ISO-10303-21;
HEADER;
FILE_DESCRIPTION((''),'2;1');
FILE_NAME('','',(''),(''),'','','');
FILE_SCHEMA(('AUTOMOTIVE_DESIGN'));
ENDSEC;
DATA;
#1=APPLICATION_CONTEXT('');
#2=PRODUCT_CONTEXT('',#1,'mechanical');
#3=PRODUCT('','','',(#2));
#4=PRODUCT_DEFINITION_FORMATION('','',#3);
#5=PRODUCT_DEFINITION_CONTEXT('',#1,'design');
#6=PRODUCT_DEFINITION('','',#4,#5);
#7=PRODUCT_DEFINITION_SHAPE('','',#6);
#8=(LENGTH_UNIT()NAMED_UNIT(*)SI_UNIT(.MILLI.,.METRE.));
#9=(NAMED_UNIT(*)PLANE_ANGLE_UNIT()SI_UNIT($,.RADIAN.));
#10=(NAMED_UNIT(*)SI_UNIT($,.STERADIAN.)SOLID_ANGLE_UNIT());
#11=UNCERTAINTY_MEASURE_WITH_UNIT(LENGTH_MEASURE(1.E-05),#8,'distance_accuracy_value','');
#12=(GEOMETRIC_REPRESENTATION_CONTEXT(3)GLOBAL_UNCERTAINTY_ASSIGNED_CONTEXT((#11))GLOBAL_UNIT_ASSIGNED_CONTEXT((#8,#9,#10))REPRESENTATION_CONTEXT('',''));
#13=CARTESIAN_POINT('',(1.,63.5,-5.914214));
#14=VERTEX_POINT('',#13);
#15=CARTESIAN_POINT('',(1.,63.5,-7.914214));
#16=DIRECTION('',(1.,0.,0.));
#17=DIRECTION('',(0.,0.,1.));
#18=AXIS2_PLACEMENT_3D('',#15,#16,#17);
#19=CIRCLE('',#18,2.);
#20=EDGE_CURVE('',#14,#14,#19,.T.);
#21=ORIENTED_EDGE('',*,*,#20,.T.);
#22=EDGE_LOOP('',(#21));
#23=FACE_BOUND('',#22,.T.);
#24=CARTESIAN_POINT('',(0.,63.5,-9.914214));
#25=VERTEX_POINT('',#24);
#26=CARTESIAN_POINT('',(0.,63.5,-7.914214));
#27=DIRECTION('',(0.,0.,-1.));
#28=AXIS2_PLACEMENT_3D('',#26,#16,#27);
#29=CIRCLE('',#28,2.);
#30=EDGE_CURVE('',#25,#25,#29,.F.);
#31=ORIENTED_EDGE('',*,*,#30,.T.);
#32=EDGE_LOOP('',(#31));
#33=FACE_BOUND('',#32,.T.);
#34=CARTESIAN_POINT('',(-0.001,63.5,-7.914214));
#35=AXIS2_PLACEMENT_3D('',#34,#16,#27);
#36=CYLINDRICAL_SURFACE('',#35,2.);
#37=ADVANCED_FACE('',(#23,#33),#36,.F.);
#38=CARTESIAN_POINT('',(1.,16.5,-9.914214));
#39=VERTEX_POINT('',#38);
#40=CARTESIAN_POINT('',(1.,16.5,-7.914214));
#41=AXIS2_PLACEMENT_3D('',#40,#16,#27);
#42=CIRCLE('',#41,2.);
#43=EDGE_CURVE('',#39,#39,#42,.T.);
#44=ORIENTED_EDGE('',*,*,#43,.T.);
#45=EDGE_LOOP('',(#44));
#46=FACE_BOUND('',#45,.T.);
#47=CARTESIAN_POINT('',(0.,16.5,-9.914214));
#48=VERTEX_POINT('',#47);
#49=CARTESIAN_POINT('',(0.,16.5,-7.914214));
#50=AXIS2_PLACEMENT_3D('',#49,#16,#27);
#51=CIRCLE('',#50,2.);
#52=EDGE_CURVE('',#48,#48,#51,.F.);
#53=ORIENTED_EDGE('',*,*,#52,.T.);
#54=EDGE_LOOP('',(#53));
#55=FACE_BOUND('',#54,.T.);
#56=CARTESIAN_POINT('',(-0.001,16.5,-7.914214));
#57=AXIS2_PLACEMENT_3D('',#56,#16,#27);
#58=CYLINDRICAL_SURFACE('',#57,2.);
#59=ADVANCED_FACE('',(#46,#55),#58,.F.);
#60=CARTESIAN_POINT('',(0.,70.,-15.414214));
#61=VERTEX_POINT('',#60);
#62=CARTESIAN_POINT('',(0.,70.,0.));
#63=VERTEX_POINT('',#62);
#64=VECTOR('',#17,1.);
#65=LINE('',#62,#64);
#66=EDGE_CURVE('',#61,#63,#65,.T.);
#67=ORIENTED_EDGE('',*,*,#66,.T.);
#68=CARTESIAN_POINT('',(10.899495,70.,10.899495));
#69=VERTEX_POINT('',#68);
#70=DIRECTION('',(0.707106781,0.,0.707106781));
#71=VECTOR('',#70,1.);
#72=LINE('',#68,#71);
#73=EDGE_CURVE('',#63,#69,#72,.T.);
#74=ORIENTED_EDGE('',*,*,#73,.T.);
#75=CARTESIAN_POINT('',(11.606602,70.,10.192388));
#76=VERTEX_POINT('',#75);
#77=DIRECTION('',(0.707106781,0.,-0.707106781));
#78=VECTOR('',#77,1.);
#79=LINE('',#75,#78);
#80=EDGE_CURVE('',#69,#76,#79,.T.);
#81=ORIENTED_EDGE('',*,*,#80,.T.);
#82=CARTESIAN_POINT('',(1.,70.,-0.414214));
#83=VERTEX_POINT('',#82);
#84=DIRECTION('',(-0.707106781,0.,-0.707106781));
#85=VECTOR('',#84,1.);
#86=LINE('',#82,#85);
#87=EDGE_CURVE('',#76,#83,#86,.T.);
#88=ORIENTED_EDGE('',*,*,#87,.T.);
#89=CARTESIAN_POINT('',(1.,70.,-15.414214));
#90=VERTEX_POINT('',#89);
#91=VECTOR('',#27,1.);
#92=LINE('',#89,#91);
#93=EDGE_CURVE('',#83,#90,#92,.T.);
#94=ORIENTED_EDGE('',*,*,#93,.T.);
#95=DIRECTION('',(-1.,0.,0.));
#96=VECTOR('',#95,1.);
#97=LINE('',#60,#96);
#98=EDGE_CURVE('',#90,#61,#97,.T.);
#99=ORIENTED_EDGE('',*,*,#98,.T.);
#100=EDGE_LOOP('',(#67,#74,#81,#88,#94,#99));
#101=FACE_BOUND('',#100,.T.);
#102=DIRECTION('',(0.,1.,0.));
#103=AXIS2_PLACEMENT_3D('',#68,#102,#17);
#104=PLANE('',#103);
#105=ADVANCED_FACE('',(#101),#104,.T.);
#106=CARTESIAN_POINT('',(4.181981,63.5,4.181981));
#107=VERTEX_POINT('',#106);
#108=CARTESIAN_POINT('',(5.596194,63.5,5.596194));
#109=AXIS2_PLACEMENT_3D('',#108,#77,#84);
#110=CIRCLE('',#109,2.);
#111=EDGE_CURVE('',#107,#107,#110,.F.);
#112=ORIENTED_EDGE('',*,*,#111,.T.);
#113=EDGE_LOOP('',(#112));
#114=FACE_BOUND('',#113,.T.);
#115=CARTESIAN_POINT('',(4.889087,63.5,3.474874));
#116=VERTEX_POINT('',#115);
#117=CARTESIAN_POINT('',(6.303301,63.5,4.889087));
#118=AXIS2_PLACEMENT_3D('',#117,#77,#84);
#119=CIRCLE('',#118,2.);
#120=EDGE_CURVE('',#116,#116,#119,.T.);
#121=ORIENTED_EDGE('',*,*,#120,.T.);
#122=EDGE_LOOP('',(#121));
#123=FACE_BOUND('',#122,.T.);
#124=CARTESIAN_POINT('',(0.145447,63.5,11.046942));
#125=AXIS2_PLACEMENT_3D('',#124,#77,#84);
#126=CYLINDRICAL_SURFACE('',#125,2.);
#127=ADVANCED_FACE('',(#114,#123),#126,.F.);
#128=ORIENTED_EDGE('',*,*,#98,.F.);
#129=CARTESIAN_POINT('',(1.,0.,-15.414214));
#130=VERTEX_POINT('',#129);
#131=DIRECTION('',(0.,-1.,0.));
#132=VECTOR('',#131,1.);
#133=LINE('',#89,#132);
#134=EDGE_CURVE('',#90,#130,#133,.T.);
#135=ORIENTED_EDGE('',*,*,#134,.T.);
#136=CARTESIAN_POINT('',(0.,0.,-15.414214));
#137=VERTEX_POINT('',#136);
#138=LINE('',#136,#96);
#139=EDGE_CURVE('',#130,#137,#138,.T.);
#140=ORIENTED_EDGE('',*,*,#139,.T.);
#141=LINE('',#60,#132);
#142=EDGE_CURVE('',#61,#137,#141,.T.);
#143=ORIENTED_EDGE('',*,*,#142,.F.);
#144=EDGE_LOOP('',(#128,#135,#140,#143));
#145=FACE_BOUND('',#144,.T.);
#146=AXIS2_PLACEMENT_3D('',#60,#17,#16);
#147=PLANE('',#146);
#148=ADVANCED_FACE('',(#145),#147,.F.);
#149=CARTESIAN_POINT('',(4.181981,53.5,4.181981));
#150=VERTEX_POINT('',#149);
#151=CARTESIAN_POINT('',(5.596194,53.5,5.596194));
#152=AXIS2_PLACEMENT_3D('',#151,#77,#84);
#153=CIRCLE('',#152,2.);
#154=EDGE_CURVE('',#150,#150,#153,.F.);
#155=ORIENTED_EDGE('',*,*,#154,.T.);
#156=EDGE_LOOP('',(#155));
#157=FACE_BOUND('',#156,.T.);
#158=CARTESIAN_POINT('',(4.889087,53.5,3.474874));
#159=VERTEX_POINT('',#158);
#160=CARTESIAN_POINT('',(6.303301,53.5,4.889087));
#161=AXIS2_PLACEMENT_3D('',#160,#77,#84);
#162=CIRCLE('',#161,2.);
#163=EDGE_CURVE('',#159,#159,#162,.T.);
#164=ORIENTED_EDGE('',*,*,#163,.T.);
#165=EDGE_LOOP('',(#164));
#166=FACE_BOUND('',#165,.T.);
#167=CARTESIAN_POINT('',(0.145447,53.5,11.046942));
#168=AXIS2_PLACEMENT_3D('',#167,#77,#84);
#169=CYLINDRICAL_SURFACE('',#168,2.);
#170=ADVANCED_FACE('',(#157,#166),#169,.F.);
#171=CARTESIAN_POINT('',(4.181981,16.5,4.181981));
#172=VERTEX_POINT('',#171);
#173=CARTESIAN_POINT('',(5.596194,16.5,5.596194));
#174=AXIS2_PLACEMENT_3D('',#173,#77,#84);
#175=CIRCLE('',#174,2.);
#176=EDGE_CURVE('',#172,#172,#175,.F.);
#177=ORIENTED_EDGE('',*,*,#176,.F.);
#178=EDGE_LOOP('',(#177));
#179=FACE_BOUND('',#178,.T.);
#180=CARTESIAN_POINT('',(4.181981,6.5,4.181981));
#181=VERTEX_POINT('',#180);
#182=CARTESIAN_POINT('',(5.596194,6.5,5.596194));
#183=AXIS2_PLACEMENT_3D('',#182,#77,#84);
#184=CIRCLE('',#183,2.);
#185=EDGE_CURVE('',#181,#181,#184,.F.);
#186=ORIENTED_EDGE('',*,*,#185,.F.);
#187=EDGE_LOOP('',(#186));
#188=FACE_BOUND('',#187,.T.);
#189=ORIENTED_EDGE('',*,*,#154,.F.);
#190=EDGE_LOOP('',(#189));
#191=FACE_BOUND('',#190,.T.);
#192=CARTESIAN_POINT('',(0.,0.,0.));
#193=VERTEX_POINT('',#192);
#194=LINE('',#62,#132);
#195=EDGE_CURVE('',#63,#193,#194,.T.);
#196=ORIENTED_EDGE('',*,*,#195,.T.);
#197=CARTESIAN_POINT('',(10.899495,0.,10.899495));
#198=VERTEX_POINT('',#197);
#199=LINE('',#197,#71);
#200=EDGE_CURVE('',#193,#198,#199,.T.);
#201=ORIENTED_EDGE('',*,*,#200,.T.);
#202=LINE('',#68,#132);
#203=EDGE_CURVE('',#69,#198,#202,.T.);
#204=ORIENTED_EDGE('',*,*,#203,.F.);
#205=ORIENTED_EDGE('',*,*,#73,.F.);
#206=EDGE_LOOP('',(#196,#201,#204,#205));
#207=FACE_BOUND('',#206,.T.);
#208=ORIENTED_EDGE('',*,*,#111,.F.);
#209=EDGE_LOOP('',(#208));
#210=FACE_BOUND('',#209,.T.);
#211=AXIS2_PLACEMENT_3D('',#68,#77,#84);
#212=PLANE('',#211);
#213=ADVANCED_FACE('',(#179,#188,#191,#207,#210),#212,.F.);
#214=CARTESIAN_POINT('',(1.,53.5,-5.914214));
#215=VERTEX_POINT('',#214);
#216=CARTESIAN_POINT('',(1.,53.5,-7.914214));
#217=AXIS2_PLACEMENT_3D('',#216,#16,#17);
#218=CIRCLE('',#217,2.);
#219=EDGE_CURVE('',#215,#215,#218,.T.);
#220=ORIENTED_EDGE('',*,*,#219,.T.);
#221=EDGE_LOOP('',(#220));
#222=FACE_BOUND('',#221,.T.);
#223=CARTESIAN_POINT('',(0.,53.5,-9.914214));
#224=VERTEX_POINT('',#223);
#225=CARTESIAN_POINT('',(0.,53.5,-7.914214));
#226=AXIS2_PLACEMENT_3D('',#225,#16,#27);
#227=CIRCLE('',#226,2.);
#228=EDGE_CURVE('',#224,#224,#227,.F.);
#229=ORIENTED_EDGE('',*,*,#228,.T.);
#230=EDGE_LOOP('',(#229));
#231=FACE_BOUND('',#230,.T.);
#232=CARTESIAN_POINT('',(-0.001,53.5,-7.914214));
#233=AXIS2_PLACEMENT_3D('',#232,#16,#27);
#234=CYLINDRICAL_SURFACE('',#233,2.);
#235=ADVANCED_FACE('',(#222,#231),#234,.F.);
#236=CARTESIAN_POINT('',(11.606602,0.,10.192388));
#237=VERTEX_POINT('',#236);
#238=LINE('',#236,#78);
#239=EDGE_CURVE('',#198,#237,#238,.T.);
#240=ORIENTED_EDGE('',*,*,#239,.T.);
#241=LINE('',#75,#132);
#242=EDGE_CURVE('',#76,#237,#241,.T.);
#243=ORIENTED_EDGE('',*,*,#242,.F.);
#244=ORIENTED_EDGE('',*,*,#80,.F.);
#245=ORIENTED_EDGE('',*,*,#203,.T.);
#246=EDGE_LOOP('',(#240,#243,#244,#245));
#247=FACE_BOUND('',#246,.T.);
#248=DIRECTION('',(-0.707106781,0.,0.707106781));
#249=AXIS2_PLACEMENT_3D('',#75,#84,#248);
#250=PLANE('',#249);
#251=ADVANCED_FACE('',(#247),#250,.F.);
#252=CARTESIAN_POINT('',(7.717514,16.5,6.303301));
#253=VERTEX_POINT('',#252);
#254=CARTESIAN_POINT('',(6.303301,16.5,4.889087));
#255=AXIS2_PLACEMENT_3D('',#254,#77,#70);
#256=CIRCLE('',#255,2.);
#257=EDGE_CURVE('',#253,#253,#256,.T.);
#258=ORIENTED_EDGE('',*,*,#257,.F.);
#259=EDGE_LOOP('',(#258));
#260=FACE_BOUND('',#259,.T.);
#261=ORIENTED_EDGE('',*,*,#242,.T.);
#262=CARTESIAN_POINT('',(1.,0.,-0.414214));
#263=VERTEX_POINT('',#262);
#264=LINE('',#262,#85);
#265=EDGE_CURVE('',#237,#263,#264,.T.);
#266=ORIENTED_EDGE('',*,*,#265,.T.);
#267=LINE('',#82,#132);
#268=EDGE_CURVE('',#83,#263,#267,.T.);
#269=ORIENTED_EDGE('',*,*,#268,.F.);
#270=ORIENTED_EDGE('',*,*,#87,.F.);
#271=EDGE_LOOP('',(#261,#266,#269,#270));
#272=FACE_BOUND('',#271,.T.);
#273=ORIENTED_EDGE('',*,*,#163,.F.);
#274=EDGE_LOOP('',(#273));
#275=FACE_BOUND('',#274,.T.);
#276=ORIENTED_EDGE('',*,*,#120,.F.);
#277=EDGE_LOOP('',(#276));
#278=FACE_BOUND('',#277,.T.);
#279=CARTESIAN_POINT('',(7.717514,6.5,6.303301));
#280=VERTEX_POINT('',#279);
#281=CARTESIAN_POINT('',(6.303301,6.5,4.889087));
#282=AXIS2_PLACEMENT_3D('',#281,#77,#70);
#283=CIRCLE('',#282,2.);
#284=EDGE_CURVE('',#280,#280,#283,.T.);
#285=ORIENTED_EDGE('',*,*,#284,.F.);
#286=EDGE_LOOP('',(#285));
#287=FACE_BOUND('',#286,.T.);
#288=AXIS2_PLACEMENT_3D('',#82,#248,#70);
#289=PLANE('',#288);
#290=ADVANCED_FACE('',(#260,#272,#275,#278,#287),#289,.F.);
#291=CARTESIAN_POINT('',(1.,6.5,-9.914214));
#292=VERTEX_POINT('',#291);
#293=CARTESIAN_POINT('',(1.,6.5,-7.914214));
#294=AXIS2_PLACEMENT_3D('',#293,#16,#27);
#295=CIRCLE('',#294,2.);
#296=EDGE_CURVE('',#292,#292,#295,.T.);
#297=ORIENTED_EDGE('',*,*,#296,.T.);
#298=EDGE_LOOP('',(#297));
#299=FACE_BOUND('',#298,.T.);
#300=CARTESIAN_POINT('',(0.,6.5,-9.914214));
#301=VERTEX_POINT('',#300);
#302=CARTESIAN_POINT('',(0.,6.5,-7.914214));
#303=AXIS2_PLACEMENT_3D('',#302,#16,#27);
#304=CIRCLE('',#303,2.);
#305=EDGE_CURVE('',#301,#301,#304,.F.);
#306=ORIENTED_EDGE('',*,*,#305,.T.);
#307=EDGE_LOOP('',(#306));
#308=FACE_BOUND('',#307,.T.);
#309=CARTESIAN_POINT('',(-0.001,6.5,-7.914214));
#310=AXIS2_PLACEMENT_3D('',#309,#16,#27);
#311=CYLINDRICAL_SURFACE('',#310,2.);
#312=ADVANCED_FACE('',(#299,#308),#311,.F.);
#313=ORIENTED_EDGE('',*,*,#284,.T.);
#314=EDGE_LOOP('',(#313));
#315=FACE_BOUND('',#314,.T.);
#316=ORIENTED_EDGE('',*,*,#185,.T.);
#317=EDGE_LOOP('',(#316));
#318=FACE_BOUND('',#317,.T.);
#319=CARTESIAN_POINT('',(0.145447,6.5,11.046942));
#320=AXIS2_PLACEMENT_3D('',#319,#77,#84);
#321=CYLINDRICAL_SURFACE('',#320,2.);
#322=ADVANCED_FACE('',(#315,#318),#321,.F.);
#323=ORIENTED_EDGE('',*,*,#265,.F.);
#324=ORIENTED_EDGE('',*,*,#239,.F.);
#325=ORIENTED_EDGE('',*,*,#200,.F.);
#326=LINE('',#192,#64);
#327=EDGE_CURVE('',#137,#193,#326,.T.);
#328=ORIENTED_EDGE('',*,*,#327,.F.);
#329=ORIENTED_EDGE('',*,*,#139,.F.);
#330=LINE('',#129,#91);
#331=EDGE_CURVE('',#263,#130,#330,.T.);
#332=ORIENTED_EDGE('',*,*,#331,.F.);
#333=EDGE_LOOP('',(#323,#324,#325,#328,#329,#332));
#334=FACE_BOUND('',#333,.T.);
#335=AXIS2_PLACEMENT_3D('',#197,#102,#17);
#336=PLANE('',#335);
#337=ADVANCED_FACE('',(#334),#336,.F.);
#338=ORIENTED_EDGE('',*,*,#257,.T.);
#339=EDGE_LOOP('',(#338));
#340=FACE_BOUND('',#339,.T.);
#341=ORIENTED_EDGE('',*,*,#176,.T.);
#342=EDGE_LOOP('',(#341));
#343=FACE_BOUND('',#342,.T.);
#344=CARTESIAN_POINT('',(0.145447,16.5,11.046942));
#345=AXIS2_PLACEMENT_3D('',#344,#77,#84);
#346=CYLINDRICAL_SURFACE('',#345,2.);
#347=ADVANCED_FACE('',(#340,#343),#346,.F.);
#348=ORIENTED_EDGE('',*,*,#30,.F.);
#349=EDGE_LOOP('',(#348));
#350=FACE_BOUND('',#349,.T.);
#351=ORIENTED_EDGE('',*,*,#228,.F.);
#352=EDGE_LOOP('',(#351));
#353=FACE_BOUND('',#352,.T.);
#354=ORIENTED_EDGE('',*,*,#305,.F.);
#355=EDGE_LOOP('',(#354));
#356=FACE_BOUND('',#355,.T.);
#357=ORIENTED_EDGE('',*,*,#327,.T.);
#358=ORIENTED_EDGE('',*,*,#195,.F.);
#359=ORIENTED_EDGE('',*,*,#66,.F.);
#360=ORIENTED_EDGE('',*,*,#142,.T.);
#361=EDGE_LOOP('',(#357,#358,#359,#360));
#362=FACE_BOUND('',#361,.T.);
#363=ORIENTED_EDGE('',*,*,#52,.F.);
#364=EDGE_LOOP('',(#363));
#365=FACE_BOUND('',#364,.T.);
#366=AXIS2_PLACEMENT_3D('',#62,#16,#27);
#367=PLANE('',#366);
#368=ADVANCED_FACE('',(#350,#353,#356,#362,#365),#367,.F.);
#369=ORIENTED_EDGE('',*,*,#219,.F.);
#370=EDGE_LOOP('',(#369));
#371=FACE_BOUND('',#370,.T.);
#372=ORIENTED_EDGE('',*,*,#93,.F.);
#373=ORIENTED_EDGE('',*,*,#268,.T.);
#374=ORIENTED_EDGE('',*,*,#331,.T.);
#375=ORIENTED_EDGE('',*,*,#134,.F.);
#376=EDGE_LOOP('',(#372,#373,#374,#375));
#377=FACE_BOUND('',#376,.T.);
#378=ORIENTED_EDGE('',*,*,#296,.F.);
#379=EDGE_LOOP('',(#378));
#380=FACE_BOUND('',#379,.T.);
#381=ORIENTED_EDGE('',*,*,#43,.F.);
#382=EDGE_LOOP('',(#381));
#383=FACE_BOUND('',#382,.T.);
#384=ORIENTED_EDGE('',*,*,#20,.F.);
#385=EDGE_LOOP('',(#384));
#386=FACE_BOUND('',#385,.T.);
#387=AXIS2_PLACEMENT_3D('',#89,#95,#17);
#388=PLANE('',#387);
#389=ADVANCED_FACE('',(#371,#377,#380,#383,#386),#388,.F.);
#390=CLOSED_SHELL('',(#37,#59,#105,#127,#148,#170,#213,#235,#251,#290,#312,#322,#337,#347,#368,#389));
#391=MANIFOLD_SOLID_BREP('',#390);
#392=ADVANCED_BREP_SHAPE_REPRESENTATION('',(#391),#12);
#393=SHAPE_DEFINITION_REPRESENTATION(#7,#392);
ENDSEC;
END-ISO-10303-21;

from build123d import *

# Parameters (mm, degrees)
EXTRUSION1_DEPTH = 70
EXTRUSION2_REACH = 3
ESQUISSE2_R      = 2
EXTRUSION3_REACH = 10.707
ESQUISSE3_R      = 2


with BuildPart() as part:
    # Esquisse1 → Extrusion1 (new body)
    with BuildSketch(Plane(origin=(0, 0, 0), x_dir=(1, 0, 0), z_dir=(0, 1, 0))):
        Polygon((0, 0), (0, 15.414213562), (1, 15.414213562), (1, 0.414213562), (11.606601718, -10.192388155), (10.899494937, -10.899494937), align=None)
    extrude(amount=EXTRUSION1_DEPTH)

    # Esquisse2 → Extrusion2 (cut, up to next)
    with BuildSketch(Plane(origin=(1, 0, 0), x_dir=(0, 0, -1), z_dir=(1, 0, 0)), mode=Mode.PRIVATE) as extrusion2_sk1:
        with Locations((7.914213562, 16.5)):
            Circle(ESQUISSE2_R)
    extrusion2_tool1 = extrude(extrusion2_sk1.sketch, amount=-EXTRUSION2_REACH, mode=Mode.PRIVATE) & part.part
    add(extrusion2_tool1.solids().sort_by_distance((1, 16.5, -7.914214))[0], mode=Mode.SUBTRACT)
    # Esquisse2 → Extrusion2 (cut, up to next)
    with BuildSketch(Plane(origin=(1, 0, 0), x_dir=(0, 0, -1), z_dir=(1, 0, 0)), mode=Mode.PRIVATE) as extrusion2_sk2:
        with Locations((7.914213562, 6.5)):
            Circle(ESQUISSE2_R)
    extrusion2_tool2 = extrude(extrusion2_sk2.sketch, amount=-EXTRUSION2_REACH, mode=Mode.PRIVATE) & part.part
    add(extrusion2_tool2.solids().sort_by_distance((1, 6.5, -7.914214))[0], mode=Mode.SUBTRACT)
    # Esquisse2 → Extrusion2 (cut, up to next)
    with BuildSketch(Plane(origin=(1, 0, 0), x_dir=(0, 0, -1), z_dir=(1, 0, 0)), mode=Mode.PRIVATE) as extrusion2_sk3:
        with Locations((7.914213562, 53.5)):
            Circle(ESQUISSE2_R)
    extrusion2_tool3 = extrude(extrusion2_sk3.sketch, amount=-EXTRUSION2_REACH, mode=Mode.PRIVATE) & part.part
    add(extrusion2_tool3.solids().sort_by_distance((1, 53.5, -7.914214))[0], mode=Mode.SUBTRACT)
    # Esquisse2 → Extrusion2 (cut, up to next)
    with BuildSketch(Plane(origin=(1, 0, 0), x_dir=(0, 0, -1), z_dir=(1, 0, 0)), mode=Mode.PRIVATE) as extrusion2_sk4:
        with Locations((7.914213562, 63.5)):
            Circle(ESQUISSE2_R)
    extrusion2_tool4 = extrude(extrusion2_sk4.sketch, amount=-EXTRUSION2_REACH, mode=Mode.PRIVATE) & part.part
    add(extrusion2_tool4.solids().sort_by_distance((1, 63.5, -7.914214))[0], mode=Mode.SUBTRACT)

    # Esquisse3 → Extrusion3 (cut, up to next)
    with BuildSketch(Plane(origin=(0.707106781, 0, -0.707106781), x_dir=(-0.707106781, 0, -0.707106781), z_dir=(0.707106781, 0, -0.707106781)), mode=Mode.PRIVATE) as extrusion3_sk1:
        with Locations((-7.914213562, 53.5)):
            Circle(ESQUISSE3_R)
    extrusion3_tool1 = extrude(extrusion3_sk1.sketch, amount=-EXTRUSION3_REACH, mode=Mode.PRIVATE) & part.part
    add(extrusion3_tool1.solids().sort_by_distance((6.303301, 53.5, 4.889087))[0], mode=Mode.SUBTRACT)
    # Esquisse3 → Extrusion3 (cut, up to next)
    with BuildSketch(Plane(origin=(0.707106781, 0, -0.707106781), x_dir=(-0.707106781, 0, -0.707106781), z_dir=(0.707106781, 0, -0.707106781)), mode=Mode.PRIVATE) as extrusion3_sk2:
        with Locations((-7.914213562, 63.5)):
            Circle(ESQUISSE3_R)
    extrusion3_tool2 = extrude(extrusion3_sk2.sketch, amount=-EXTRUSION3_REACH, mode=Mode.PRIVATE) & part.part
    add(extrusion3_tool2.solids().sort_by_distance((6.303301, 63.5, 4.889087))[0], mode=Mode.SUBTRACT)
    # Esquisse3 → Extrusion3 (cut, up to next)
    with BuildSketch(Plane(origin=(0.707106781, 0, -0.707106781), x_dir=(-0.707106781, 0, -0.707106781), z_dir=(0.707106781, 0, -0.707106781)), mode=Mode.PRIVATE) as extrusion3_sk3:
        with Locations((-7.914213562, 6.5)):
            Circle(ESQUISSE3_R)
    extrusion3_tool3 = extrude(extrusion3_sk3.sketch, amount=-EXTRUSION3_REACH, mode=Mode.PRIVATE) & part.part
    add(extrusion3_tool3.solids().sort_by_distance((6.303301, 6.5, 4.889087))[0], mode=Mode.SUBTRACT)
    # Esquisse3 → Extrusion3 (cut, up to next)
    with BuildSketch(Plane(origin=(0.707106781, 0, -0.707106781), x_dir=(-0.707106781, 0, -0.707106781), z_dir=(0.707106781, 0, -0.707106781)), mode=Mode.PRIVATE) as extrusion3_sk4:
        with Locations((-7.914213562, 16.5)):
            Circle(ESQUISSE3_R)
    extrusion3_tool4 = extrude(extrusion3_sk4.sketch, amount=-EXTRUSION3_REACH, mode=Mode.PRIVATE) & part.part
    add(extrusion3_tool4.solids().sort_by_distance((6.303301, 16.5, 4.889087))[0], mode=Mode.SUBTRACT)


solid = part.part
